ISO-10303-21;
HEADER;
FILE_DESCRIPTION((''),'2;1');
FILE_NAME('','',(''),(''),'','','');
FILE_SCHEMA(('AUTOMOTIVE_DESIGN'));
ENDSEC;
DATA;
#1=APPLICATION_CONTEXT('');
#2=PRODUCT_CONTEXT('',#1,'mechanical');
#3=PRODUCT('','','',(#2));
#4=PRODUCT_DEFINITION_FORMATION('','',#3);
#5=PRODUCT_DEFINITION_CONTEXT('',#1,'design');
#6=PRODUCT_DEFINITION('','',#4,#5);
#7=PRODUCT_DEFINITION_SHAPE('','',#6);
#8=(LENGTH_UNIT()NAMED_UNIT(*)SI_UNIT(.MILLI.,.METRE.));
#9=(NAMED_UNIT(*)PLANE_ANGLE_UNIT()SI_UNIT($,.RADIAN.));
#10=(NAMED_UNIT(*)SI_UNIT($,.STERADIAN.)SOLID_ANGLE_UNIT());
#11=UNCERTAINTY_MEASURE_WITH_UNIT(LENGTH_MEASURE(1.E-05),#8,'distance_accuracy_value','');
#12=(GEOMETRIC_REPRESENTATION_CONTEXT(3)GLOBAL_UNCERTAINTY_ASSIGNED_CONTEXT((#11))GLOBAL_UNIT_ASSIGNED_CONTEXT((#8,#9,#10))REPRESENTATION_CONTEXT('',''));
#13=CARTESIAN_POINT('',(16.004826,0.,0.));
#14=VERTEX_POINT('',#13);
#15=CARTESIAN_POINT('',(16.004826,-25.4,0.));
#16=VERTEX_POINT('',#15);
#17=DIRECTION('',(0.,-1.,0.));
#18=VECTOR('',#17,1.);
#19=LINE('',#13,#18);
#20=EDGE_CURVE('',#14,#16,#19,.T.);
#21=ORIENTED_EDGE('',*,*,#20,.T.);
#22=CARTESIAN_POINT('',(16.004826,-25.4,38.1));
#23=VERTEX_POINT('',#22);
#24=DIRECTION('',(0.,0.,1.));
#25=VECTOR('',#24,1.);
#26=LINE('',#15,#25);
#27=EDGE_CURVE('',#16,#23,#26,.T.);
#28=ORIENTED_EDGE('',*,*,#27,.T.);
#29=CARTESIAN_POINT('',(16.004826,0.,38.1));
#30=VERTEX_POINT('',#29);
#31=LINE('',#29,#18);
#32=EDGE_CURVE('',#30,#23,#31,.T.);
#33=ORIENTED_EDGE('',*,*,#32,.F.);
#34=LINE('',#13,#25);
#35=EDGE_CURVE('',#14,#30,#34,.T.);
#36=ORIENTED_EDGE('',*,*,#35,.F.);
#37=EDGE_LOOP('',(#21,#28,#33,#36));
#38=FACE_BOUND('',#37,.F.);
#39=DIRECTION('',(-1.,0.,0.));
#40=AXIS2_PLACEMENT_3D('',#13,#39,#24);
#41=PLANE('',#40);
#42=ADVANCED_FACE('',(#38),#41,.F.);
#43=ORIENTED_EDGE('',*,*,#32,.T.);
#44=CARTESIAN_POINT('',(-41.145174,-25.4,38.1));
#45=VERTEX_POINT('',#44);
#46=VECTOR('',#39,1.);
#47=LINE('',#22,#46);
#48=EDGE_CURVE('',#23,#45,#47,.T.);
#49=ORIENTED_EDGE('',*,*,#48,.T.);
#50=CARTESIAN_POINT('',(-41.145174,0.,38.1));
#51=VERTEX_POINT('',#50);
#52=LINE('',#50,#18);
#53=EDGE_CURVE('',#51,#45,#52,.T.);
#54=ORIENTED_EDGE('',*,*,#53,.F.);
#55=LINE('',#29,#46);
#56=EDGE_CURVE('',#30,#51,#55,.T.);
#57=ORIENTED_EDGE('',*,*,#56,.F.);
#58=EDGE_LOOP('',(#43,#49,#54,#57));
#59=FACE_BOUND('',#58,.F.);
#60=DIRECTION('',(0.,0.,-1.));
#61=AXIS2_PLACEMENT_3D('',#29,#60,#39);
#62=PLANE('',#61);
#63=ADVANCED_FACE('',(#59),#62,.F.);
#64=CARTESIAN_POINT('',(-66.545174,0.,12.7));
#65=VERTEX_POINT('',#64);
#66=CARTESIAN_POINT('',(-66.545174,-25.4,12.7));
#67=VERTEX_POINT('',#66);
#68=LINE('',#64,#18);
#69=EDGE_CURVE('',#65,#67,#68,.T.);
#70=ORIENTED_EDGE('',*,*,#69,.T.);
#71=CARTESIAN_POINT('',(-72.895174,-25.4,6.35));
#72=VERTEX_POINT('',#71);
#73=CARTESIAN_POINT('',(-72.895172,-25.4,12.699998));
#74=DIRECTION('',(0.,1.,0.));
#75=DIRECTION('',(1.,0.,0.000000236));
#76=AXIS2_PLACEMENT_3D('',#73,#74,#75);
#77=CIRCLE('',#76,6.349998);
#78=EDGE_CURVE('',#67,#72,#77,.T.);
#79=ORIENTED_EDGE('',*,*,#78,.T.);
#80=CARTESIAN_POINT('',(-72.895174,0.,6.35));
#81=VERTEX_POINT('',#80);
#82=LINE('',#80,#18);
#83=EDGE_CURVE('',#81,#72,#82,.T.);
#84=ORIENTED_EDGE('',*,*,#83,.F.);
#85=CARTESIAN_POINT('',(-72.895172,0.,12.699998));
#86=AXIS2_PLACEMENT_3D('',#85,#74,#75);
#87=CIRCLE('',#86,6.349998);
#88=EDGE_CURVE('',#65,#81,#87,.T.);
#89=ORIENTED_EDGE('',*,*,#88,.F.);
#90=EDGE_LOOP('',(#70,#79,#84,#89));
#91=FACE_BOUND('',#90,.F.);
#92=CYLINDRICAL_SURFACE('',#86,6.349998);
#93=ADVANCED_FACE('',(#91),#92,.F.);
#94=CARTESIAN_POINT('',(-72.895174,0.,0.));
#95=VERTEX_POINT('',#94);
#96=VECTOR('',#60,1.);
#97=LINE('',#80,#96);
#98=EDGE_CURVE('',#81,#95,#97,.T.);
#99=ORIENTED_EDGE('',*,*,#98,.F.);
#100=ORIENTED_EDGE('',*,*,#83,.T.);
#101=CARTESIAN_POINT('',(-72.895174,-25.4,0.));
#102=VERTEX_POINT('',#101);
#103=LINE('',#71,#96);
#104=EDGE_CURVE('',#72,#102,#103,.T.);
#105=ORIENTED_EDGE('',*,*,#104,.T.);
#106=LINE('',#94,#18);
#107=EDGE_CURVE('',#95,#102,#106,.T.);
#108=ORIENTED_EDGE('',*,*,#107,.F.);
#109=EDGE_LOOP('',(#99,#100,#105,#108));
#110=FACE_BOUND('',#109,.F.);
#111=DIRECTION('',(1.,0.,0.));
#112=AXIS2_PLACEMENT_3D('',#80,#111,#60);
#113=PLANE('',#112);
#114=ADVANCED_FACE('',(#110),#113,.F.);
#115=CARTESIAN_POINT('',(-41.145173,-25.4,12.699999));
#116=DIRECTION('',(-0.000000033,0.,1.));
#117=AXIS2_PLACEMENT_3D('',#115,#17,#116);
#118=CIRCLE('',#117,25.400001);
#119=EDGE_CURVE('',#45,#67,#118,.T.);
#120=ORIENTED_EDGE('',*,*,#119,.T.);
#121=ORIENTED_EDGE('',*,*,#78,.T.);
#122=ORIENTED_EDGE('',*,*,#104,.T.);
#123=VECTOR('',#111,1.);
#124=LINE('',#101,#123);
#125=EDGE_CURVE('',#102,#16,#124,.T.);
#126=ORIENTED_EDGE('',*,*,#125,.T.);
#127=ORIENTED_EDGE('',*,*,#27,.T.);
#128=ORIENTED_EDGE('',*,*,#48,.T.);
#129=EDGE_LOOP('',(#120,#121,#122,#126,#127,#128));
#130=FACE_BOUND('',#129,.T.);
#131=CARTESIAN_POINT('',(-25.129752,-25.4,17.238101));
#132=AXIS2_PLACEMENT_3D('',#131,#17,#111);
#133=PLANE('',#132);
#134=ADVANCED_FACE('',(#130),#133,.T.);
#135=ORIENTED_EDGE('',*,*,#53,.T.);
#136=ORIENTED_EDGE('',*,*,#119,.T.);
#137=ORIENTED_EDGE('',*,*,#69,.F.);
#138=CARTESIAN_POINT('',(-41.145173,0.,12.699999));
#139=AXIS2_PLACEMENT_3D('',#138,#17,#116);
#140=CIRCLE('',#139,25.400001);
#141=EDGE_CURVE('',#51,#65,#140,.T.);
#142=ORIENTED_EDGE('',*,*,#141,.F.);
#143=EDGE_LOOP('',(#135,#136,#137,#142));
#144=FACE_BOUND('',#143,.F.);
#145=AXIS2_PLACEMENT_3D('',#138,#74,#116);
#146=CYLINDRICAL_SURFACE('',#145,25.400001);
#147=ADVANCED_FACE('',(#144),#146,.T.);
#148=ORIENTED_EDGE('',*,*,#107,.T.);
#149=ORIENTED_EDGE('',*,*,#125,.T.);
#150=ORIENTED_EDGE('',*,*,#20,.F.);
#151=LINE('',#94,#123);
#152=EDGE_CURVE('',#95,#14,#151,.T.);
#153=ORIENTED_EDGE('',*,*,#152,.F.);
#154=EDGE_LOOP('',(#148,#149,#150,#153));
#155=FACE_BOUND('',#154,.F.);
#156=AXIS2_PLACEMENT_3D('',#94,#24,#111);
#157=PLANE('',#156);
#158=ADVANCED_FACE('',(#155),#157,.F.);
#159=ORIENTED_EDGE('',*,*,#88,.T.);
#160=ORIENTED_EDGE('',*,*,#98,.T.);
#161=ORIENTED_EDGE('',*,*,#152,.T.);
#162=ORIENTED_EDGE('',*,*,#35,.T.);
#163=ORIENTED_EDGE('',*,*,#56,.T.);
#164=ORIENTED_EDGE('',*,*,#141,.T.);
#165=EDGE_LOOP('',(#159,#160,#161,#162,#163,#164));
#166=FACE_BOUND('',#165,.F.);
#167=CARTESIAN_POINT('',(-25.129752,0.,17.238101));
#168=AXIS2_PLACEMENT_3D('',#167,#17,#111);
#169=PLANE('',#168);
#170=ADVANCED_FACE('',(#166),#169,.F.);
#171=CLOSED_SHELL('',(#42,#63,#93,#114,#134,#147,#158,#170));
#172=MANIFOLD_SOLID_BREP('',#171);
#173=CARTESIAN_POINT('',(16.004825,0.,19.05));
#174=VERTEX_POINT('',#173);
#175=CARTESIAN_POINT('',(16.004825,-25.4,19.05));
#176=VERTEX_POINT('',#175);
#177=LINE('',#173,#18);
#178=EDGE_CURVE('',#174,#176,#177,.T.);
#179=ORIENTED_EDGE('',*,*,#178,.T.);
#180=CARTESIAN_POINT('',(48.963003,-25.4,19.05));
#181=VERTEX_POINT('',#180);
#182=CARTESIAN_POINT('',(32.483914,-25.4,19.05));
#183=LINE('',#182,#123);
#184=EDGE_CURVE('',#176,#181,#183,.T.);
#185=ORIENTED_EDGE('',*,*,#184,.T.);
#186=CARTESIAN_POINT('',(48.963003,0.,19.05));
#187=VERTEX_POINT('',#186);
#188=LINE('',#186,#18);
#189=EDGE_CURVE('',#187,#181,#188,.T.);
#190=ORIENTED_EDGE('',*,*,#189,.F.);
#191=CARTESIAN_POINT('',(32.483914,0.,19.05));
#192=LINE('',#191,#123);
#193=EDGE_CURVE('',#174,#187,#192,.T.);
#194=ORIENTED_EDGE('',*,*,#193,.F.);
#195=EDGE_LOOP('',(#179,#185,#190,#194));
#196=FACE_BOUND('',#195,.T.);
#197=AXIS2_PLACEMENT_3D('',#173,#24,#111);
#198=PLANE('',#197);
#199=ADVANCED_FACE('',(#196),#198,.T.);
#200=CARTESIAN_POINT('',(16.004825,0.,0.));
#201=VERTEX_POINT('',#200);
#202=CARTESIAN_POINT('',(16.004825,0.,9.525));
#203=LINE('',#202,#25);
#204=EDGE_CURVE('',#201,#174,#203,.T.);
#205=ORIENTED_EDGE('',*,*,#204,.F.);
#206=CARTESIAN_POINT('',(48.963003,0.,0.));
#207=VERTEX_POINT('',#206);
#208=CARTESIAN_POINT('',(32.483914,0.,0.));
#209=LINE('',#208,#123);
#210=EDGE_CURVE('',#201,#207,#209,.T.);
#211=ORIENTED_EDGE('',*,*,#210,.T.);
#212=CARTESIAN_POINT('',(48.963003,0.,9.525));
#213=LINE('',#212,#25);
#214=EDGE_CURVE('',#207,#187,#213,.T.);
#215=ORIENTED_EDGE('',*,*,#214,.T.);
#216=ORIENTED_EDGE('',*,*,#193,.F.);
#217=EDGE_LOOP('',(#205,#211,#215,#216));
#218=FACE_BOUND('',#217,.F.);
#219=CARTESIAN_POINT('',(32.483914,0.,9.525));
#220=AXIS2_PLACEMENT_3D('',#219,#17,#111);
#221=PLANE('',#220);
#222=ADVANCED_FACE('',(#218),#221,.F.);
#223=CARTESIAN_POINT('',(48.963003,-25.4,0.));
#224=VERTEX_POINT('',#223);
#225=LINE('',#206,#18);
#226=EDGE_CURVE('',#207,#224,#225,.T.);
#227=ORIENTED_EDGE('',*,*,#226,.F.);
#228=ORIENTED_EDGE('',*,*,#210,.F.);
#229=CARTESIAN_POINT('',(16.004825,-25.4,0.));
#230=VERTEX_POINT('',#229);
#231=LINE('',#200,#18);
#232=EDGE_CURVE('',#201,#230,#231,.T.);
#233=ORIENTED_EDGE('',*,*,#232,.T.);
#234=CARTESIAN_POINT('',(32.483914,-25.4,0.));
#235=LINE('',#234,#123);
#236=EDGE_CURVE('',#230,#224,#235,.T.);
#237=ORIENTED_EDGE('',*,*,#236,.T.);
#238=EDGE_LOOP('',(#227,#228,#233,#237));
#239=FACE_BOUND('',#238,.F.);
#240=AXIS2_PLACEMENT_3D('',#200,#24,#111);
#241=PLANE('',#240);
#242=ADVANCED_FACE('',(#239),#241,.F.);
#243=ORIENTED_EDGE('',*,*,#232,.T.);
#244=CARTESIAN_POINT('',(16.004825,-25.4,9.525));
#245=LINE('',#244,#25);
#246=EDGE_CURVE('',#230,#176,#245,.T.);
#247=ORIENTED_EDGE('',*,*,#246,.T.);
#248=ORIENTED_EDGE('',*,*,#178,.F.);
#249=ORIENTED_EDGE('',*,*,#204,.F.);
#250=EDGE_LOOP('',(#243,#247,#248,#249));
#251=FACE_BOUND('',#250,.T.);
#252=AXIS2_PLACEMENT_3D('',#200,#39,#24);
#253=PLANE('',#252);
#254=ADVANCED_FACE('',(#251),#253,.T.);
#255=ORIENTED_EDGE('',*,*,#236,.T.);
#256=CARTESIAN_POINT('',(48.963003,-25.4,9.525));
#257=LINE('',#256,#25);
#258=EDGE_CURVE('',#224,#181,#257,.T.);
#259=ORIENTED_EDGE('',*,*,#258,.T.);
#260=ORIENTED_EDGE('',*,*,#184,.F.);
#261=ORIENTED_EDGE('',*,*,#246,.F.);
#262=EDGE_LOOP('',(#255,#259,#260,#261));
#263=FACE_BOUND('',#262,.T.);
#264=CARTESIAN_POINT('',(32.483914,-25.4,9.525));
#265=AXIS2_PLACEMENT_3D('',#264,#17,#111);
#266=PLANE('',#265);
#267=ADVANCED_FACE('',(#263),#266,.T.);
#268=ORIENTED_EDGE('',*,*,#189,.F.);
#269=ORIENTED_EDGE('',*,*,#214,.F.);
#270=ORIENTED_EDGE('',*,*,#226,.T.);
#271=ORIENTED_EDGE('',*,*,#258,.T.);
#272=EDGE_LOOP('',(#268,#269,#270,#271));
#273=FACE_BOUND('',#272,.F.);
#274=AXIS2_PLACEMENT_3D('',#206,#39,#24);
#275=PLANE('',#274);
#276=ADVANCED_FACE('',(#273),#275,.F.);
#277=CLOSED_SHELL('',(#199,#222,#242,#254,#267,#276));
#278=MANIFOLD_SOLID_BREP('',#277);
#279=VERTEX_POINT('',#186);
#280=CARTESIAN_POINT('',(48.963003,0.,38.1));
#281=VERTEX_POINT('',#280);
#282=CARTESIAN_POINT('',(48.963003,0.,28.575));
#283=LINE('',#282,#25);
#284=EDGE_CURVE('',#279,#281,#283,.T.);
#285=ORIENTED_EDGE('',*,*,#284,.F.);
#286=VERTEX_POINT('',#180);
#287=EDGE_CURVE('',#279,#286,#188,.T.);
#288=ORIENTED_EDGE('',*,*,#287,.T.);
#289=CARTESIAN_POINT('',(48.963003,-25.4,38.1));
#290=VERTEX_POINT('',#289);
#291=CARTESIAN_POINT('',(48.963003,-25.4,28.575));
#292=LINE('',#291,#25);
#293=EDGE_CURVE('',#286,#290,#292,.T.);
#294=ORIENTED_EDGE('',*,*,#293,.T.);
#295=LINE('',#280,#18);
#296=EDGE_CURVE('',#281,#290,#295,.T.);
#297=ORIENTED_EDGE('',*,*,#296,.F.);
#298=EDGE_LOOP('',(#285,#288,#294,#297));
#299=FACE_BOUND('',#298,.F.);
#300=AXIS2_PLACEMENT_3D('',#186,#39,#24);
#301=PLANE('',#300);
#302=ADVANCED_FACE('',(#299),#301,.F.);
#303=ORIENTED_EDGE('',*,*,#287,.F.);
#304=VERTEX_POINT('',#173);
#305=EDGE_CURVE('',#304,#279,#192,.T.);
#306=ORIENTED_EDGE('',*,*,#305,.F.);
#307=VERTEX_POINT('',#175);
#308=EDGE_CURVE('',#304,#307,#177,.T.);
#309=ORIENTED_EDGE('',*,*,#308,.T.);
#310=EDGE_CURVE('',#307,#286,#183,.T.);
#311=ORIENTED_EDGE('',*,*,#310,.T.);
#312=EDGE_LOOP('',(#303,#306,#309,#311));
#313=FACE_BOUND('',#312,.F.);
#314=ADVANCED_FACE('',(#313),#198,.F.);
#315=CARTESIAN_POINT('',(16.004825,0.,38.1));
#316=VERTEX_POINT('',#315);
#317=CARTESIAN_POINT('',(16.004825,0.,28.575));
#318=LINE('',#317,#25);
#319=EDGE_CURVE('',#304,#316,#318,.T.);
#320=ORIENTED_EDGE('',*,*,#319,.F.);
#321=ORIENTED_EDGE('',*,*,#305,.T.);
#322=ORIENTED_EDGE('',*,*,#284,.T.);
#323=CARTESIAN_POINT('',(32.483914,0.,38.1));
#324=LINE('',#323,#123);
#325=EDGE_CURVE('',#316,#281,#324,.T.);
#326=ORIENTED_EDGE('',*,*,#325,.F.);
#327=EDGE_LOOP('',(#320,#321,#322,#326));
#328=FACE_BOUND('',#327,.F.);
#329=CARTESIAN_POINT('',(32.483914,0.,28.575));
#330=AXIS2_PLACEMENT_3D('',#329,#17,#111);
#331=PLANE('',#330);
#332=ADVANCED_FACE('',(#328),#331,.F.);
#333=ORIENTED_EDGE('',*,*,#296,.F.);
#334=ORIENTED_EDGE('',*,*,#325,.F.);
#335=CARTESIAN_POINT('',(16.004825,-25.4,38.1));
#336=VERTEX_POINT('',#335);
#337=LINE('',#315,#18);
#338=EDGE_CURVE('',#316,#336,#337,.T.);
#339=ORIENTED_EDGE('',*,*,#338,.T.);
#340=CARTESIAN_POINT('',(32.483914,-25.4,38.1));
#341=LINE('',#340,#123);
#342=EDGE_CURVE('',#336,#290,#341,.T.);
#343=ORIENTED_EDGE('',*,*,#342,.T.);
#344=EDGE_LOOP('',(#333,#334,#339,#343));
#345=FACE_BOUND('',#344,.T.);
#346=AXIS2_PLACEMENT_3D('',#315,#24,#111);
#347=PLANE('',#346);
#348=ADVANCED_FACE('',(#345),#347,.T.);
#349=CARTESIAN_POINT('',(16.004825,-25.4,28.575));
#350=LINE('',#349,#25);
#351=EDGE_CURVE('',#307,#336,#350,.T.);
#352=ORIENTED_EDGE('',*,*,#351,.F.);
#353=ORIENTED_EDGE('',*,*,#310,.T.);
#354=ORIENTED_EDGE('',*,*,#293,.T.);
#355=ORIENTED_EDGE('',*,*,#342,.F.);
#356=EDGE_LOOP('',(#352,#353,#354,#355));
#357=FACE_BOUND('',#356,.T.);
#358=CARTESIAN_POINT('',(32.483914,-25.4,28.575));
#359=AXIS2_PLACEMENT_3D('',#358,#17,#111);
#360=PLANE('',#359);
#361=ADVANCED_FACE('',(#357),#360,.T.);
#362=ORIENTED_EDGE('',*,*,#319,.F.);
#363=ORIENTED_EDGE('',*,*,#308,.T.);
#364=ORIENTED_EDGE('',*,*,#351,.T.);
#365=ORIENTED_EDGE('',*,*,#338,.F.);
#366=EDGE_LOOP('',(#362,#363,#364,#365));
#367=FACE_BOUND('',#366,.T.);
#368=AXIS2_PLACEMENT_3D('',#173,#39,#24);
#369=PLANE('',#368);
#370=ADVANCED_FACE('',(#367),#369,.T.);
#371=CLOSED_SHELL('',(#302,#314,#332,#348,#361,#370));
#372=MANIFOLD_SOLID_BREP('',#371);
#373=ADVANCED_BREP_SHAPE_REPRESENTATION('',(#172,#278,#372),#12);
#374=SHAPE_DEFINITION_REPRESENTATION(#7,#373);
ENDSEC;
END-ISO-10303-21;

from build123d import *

# Parameters (mm, degrees)
F1_DEPTH = 25.4
F0_W     = 32.958177
F0_H     = 19.05
F2_DEPTH = 25.4
F3_DEPTH = 25.4


with BuildPart() as f1:
    # F0 (on Front) → F1 (new body)
    with BuildSketch(Plane.XZ):
        with BuildLine():
            Line((-72.895174, 0), (0, 0))
            Line((0, 0), (3.363179, 0))
            Line((3.363179, 0), (16.004826, 0))
            Line((16.004826, 0), (16.004826, 19.05))
            Line((16.004826, 19.05), (16.004826, 38.1))
            Line((16.004826, 38.1), (-41.145174, 38.1))
            ThreePointArc((-41.145174, 38.1), (-59.105686, 30.660512), (-66.545174, 12.7))
            ThreePointArc((-66.545174, 12.7), (-68.405045, 8.209872), (-72.895174, 6.35))
            Line((-72.895174, 6.35), (-72.895174, 0))
        make_face()
    extrude(amount=F1_DEPTH)


with BuildPart() as f2:
    # F0 (on Front) → F2 (new body)
    with BuildSketch(Plane.XZ):
        with Locations((32.483914, 28.575)):
            Rectangle(F0_W, F0_H)
    extrude(amount=F2_DEPTH)


with BuildPart() as f3:
    # F0 (on Front) → F3 (new body)
    with BuildSketch(Plane.XZ):
        with Locations((32.483914, 9.525)):
            Rectangle(F0_W, F0_H)
    extrude(amount=F3_DEPTH)


solid = Compound([f1.part, f2.part, f3.part])
